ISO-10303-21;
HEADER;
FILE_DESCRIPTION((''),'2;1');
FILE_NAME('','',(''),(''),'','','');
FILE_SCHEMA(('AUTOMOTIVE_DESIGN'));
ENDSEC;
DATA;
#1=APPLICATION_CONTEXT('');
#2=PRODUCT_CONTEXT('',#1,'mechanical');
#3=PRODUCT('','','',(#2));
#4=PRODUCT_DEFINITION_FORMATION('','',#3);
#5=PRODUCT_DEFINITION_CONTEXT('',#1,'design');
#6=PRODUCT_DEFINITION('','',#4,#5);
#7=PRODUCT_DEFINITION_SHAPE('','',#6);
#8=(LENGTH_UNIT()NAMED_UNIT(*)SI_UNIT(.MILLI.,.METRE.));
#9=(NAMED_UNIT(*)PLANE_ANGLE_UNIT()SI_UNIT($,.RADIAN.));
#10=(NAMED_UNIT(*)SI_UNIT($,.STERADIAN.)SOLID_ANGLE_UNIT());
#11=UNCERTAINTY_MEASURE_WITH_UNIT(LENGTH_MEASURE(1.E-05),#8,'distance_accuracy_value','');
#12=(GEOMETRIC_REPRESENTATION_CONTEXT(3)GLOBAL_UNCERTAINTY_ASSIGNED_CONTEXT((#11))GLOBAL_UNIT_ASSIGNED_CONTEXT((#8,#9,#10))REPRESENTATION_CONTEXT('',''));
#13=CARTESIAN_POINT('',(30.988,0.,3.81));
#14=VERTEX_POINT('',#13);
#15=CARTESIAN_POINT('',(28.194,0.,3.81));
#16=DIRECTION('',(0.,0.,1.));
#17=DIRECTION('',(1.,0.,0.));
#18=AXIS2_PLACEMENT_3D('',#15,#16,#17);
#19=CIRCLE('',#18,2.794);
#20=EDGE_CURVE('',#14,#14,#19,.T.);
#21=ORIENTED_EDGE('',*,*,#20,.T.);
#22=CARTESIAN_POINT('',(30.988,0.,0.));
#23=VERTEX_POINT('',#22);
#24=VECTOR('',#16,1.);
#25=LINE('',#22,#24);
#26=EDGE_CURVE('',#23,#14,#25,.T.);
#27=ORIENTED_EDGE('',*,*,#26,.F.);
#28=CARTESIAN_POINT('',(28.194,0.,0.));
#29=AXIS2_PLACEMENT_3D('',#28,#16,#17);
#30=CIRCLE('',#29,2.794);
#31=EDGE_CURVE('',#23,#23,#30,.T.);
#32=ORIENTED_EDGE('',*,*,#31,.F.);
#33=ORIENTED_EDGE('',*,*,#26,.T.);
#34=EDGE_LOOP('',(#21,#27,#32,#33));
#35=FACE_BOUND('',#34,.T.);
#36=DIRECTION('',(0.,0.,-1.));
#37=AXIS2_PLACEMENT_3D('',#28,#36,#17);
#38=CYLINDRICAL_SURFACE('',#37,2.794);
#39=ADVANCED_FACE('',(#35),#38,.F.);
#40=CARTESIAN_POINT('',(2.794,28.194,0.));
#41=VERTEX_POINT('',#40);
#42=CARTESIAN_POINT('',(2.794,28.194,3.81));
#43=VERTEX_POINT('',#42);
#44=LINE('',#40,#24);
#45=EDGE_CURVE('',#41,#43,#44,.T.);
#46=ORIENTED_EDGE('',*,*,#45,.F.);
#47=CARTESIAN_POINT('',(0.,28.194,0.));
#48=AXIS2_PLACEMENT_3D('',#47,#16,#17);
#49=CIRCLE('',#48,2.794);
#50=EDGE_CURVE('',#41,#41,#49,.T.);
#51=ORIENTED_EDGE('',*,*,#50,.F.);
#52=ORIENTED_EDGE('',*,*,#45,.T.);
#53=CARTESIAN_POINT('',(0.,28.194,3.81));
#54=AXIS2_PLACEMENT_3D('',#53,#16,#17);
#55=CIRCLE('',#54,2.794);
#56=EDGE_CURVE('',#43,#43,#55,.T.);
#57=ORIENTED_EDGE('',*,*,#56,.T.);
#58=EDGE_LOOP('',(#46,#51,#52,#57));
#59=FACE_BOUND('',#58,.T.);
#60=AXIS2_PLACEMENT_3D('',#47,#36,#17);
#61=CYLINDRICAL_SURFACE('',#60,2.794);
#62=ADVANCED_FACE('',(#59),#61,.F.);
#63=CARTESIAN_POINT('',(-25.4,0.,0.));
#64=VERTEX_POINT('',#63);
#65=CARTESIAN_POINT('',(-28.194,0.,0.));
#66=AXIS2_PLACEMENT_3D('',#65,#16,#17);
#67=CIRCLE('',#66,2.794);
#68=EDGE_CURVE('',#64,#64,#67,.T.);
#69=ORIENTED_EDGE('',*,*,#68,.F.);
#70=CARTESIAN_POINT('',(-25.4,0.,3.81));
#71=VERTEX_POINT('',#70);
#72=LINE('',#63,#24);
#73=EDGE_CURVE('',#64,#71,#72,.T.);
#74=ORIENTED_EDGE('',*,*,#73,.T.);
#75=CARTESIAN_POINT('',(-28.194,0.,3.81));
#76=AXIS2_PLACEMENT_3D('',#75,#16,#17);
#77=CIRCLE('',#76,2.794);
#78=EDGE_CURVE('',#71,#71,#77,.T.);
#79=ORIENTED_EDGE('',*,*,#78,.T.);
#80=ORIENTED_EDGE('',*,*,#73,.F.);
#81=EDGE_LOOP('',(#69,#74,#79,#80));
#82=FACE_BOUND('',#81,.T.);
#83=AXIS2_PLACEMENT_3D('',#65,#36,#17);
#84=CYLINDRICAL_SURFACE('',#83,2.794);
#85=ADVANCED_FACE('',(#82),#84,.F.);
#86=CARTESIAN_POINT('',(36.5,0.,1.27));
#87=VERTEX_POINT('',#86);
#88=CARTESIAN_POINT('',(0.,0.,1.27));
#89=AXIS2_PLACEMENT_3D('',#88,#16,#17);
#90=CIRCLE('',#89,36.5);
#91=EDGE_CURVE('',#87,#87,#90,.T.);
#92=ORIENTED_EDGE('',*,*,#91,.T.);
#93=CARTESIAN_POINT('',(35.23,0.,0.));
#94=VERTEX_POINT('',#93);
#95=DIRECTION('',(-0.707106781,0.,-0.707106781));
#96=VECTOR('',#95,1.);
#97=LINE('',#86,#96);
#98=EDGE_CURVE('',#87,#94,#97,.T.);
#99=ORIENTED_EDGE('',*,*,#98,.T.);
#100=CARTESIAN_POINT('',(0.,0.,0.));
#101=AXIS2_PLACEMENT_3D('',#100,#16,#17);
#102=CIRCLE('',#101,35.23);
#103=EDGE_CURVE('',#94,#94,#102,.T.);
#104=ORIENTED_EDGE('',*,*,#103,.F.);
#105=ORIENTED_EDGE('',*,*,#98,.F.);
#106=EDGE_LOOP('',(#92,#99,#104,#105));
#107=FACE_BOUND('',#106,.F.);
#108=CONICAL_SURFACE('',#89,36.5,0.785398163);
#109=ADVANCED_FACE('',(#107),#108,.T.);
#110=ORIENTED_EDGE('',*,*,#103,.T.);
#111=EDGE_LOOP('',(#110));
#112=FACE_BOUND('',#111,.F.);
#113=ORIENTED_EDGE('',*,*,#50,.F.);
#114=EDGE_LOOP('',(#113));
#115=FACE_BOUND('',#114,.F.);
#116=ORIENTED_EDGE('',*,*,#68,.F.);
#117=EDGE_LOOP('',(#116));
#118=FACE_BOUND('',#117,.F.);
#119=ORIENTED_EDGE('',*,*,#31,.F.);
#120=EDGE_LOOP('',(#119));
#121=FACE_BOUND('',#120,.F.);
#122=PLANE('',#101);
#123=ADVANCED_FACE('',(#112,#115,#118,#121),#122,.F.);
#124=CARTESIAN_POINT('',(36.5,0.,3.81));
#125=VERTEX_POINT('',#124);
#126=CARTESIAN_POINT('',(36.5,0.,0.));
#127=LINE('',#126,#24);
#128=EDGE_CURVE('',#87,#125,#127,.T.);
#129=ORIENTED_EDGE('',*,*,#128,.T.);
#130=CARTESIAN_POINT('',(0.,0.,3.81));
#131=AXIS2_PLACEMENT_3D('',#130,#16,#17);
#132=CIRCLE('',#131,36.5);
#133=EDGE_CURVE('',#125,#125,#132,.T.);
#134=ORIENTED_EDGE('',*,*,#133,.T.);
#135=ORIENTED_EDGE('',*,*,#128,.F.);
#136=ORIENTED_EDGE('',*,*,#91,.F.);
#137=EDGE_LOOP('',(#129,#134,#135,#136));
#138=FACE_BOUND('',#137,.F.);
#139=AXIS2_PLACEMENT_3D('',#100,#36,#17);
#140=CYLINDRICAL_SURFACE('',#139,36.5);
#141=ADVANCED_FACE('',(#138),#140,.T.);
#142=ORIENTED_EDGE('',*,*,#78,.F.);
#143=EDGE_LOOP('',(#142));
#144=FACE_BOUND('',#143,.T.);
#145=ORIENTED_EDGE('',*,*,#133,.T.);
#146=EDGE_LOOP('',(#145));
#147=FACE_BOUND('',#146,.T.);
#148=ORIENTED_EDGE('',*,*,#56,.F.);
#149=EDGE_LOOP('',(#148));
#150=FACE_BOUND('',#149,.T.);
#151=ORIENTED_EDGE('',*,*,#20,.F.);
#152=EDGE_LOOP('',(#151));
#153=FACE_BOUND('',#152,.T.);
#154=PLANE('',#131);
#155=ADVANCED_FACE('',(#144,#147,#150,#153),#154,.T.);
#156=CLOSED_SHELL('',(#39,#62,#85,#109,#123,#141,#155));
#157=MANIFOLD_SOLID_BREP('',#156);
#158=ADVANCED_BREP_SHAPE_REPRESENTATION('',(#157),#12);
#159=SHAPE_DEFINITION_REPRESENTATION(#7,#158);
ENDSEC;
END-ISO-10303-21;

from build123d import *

# Parameters (mm, degrees)
F0_R     = 36.5
F0_R_2   = 2.794
F1_DEPTH = 3.81
F2_SIZE  = 1.27


with BuildPart() as f1:
    # F0 (on Top) → F1 (new body)
    with BuildSketch(Plane.XY):
        Circle(F0_R)
        with Locations((-28.194, 0)):
            Circle(F0_R_2, mode=Mode.SUBTRACT)
        with Locations((28.194, 0)):
            Circle(F0_R_2, mode=Mode.SUBTRACT)
        with Locations((0, 28.194)):
            Circle(F0_R_2, mode=Mode.SUBTRACT)
    extrude(amount=F1_DEPTH)

    # F2
    f2_edges = [f1.edges().sort_by_distance(p)[0] for p in [
        (-36.5, 0, 0),
    ]]
    chamfer(f2_edges, length=F2_SIZE)


solid = f1.part
